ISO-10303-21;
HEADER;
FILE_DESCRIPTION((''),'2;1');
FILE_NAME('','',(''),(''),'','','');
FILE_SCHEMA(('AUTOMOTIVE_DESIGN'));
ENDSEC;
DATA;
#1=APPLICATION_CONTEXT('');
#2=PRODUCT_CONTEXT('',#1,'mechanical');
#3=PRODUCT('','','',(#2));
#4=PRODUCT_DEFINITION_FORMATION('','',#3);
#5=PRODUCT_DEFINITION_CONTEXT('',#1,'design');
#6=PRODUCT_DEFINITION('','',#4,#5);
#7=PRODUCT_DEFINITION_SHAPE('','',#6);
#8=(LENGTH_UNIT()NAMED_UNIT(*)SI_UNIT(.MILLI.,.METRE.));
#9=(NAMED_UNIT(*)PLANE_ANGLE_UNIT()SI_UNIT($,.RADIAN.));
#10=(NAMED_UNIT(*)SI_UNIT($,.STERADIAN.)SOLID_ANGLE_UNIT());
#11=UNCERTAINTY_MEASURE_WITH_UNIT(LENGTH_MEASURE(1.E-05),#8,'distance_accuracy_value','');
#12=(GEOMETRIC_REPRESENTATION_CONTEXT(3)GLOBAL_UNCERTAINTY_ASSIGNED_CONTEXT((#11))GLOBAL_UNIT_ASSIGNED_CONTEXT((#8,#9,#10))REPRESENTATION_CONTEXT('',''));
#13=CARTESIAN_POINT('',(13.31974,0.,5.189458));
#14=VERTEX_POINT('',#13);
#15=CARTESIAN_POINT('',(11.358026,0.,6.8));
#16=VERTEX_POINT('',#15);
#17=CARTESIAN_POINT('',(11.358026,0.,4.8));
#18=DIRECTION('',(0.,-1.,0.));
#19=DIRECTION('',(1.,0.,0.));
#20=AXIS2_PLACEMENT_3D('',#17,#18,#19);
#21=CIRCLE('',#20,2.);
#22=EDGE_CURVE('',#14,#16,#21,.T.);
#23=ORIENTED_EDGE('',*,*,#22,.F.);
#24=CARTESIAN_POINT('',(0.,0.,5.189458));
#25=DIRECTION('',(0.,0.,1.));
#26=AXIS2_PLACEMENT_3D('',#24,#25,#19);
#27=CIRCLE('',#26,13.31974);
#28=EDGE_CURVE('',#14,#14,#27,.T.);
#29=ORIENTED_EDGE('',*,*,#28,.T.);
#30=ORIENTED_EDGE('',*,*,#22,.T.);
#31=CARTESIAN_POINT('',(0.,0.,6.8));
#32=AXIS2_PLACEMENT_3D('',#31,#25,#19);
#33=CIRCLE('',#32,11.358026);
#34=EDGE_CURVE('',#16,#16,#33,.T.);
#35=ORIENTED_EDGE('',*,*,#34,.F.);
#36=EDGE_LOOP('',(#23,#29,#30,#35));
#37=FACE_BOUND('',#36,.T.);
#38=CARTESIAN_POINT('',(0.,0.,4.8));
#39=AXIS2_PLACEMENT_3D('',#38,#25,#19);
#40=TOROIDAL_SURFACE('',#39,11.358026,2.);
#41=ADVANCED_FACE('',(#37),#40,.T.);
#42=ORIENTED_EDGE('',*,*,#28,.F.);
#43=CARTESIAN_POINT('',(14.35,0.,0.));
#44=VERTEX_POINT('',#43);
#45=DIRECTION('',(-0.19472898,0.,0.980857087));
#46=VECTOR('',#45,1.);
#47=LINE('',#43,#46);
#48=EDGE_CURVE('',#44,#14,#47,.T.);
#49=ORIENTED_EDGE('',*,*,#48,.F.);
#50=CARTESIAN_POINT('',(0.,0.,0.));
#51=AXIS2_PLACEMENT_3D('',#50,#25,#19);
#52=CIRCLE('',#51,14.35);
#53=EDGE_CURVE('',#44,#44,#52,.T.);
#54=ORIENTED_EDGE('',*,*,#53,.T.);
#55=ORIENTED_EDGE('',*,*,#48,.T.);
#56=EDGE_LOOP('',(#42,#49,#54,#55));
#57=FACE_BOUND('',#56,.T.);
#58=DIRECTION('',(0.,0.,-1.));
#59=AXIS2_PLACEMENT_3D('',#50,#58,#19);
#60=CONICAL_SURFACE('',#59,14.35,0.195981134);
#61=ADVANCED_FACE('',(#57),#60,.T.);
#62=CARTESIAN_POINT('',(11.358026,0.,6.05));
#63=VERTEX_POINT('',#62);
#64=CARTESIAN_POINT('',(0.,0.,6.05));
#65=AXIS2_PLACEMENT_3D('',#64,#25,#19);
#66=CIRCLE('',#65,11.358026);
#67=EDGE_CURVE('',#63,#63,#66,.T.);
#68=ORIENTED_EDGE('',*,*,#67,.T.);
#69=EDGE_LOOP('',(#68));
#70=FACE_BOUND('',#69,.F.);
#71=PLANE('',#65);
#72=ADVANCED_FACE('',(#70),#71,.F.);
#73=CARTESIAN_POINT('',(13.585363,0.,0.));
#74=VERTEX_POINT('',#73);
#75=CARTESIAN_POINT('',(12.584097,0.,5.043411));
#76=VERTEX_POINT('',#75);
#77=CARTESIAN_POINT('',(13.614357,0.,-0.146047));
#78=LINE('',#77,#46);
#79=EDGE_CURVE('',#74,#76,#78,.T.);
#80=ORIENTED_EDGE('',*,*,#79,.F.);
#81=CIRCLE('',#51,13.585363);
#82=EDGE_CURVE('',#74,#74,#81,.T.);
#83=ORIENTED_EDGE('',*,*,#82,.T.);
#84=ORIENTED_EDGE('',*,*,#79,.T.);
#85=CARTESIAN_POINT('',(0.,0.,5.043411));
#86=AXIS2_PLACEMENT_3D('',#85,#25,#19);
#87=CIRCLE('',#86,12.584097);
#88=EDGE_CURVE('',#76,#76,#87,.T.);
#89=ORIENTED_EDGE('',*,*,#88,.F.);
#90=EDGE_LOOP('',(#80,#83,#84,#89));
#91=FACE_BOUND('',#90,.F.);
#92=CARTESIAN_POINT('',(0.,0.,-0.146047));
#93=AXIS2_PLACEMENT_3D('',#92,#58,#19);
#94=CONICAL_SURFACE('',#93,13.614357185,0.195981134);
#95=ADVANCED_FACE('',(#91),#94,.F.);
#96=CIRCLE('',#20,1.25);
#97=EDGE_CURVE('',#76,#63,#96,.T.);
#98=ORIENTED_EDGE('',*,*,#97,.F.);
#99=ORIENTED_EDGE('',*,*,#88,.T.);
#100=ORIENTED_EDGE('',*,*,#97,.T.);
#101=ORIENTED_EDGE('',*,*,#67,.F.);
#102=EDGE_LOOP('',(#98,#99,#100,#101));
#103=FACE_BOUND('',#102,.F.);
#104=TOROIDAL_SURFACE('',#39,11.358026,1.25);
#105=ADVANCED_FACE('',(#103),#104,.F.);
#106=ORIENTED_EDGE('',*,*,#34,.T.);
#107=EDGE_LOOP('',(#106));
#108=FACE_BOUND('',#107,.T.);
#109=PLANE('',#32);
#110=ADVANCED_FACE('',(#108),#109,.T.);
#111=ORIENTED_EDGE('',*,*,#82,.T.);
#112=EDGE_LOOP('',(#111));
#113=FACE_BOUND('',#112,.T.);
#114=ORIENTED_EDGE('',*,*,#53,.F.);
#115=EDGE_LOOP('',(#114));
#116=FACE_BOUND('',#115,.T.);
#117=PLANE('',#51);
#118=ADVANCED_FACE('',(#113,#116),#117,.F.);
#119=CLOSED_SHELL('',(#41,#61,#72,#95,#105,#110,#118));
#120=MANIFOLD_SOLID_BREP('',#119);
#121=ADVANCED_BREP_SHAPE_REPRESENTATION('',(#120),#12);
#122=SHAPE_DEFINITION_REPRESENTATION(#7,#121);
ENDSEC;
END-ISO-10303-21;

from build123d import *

# Parameters (mm, degrees)
F2_R = 2
F3_T = -0.75


with BuildPart() as f1:
    # F0 (on Front) → F1 (revolve)
    with BuildSketch(Plane.XZ):
        Polygon((0, 6.8), (0, 0), (14.35, 0), (13, 6.8), align=None)
    revolve(axis=Axis((0, 0, 3.4), (0, 0, 1)))

    # F2
    f2_edges = [f1.edges().sort_by_distance(p)[0] for p in [
        (-13, 0, 6.8),
    ]]
    fillet(f2_edges, radius=F2_R)

    # F3
    f3_openings = [f1.faces().sort_by_distance(p)[0] for p in [
        (0, 0, 0),
    ]]
    offset(amount=F3_T, openings=f3_openings)


solid = f1.part
